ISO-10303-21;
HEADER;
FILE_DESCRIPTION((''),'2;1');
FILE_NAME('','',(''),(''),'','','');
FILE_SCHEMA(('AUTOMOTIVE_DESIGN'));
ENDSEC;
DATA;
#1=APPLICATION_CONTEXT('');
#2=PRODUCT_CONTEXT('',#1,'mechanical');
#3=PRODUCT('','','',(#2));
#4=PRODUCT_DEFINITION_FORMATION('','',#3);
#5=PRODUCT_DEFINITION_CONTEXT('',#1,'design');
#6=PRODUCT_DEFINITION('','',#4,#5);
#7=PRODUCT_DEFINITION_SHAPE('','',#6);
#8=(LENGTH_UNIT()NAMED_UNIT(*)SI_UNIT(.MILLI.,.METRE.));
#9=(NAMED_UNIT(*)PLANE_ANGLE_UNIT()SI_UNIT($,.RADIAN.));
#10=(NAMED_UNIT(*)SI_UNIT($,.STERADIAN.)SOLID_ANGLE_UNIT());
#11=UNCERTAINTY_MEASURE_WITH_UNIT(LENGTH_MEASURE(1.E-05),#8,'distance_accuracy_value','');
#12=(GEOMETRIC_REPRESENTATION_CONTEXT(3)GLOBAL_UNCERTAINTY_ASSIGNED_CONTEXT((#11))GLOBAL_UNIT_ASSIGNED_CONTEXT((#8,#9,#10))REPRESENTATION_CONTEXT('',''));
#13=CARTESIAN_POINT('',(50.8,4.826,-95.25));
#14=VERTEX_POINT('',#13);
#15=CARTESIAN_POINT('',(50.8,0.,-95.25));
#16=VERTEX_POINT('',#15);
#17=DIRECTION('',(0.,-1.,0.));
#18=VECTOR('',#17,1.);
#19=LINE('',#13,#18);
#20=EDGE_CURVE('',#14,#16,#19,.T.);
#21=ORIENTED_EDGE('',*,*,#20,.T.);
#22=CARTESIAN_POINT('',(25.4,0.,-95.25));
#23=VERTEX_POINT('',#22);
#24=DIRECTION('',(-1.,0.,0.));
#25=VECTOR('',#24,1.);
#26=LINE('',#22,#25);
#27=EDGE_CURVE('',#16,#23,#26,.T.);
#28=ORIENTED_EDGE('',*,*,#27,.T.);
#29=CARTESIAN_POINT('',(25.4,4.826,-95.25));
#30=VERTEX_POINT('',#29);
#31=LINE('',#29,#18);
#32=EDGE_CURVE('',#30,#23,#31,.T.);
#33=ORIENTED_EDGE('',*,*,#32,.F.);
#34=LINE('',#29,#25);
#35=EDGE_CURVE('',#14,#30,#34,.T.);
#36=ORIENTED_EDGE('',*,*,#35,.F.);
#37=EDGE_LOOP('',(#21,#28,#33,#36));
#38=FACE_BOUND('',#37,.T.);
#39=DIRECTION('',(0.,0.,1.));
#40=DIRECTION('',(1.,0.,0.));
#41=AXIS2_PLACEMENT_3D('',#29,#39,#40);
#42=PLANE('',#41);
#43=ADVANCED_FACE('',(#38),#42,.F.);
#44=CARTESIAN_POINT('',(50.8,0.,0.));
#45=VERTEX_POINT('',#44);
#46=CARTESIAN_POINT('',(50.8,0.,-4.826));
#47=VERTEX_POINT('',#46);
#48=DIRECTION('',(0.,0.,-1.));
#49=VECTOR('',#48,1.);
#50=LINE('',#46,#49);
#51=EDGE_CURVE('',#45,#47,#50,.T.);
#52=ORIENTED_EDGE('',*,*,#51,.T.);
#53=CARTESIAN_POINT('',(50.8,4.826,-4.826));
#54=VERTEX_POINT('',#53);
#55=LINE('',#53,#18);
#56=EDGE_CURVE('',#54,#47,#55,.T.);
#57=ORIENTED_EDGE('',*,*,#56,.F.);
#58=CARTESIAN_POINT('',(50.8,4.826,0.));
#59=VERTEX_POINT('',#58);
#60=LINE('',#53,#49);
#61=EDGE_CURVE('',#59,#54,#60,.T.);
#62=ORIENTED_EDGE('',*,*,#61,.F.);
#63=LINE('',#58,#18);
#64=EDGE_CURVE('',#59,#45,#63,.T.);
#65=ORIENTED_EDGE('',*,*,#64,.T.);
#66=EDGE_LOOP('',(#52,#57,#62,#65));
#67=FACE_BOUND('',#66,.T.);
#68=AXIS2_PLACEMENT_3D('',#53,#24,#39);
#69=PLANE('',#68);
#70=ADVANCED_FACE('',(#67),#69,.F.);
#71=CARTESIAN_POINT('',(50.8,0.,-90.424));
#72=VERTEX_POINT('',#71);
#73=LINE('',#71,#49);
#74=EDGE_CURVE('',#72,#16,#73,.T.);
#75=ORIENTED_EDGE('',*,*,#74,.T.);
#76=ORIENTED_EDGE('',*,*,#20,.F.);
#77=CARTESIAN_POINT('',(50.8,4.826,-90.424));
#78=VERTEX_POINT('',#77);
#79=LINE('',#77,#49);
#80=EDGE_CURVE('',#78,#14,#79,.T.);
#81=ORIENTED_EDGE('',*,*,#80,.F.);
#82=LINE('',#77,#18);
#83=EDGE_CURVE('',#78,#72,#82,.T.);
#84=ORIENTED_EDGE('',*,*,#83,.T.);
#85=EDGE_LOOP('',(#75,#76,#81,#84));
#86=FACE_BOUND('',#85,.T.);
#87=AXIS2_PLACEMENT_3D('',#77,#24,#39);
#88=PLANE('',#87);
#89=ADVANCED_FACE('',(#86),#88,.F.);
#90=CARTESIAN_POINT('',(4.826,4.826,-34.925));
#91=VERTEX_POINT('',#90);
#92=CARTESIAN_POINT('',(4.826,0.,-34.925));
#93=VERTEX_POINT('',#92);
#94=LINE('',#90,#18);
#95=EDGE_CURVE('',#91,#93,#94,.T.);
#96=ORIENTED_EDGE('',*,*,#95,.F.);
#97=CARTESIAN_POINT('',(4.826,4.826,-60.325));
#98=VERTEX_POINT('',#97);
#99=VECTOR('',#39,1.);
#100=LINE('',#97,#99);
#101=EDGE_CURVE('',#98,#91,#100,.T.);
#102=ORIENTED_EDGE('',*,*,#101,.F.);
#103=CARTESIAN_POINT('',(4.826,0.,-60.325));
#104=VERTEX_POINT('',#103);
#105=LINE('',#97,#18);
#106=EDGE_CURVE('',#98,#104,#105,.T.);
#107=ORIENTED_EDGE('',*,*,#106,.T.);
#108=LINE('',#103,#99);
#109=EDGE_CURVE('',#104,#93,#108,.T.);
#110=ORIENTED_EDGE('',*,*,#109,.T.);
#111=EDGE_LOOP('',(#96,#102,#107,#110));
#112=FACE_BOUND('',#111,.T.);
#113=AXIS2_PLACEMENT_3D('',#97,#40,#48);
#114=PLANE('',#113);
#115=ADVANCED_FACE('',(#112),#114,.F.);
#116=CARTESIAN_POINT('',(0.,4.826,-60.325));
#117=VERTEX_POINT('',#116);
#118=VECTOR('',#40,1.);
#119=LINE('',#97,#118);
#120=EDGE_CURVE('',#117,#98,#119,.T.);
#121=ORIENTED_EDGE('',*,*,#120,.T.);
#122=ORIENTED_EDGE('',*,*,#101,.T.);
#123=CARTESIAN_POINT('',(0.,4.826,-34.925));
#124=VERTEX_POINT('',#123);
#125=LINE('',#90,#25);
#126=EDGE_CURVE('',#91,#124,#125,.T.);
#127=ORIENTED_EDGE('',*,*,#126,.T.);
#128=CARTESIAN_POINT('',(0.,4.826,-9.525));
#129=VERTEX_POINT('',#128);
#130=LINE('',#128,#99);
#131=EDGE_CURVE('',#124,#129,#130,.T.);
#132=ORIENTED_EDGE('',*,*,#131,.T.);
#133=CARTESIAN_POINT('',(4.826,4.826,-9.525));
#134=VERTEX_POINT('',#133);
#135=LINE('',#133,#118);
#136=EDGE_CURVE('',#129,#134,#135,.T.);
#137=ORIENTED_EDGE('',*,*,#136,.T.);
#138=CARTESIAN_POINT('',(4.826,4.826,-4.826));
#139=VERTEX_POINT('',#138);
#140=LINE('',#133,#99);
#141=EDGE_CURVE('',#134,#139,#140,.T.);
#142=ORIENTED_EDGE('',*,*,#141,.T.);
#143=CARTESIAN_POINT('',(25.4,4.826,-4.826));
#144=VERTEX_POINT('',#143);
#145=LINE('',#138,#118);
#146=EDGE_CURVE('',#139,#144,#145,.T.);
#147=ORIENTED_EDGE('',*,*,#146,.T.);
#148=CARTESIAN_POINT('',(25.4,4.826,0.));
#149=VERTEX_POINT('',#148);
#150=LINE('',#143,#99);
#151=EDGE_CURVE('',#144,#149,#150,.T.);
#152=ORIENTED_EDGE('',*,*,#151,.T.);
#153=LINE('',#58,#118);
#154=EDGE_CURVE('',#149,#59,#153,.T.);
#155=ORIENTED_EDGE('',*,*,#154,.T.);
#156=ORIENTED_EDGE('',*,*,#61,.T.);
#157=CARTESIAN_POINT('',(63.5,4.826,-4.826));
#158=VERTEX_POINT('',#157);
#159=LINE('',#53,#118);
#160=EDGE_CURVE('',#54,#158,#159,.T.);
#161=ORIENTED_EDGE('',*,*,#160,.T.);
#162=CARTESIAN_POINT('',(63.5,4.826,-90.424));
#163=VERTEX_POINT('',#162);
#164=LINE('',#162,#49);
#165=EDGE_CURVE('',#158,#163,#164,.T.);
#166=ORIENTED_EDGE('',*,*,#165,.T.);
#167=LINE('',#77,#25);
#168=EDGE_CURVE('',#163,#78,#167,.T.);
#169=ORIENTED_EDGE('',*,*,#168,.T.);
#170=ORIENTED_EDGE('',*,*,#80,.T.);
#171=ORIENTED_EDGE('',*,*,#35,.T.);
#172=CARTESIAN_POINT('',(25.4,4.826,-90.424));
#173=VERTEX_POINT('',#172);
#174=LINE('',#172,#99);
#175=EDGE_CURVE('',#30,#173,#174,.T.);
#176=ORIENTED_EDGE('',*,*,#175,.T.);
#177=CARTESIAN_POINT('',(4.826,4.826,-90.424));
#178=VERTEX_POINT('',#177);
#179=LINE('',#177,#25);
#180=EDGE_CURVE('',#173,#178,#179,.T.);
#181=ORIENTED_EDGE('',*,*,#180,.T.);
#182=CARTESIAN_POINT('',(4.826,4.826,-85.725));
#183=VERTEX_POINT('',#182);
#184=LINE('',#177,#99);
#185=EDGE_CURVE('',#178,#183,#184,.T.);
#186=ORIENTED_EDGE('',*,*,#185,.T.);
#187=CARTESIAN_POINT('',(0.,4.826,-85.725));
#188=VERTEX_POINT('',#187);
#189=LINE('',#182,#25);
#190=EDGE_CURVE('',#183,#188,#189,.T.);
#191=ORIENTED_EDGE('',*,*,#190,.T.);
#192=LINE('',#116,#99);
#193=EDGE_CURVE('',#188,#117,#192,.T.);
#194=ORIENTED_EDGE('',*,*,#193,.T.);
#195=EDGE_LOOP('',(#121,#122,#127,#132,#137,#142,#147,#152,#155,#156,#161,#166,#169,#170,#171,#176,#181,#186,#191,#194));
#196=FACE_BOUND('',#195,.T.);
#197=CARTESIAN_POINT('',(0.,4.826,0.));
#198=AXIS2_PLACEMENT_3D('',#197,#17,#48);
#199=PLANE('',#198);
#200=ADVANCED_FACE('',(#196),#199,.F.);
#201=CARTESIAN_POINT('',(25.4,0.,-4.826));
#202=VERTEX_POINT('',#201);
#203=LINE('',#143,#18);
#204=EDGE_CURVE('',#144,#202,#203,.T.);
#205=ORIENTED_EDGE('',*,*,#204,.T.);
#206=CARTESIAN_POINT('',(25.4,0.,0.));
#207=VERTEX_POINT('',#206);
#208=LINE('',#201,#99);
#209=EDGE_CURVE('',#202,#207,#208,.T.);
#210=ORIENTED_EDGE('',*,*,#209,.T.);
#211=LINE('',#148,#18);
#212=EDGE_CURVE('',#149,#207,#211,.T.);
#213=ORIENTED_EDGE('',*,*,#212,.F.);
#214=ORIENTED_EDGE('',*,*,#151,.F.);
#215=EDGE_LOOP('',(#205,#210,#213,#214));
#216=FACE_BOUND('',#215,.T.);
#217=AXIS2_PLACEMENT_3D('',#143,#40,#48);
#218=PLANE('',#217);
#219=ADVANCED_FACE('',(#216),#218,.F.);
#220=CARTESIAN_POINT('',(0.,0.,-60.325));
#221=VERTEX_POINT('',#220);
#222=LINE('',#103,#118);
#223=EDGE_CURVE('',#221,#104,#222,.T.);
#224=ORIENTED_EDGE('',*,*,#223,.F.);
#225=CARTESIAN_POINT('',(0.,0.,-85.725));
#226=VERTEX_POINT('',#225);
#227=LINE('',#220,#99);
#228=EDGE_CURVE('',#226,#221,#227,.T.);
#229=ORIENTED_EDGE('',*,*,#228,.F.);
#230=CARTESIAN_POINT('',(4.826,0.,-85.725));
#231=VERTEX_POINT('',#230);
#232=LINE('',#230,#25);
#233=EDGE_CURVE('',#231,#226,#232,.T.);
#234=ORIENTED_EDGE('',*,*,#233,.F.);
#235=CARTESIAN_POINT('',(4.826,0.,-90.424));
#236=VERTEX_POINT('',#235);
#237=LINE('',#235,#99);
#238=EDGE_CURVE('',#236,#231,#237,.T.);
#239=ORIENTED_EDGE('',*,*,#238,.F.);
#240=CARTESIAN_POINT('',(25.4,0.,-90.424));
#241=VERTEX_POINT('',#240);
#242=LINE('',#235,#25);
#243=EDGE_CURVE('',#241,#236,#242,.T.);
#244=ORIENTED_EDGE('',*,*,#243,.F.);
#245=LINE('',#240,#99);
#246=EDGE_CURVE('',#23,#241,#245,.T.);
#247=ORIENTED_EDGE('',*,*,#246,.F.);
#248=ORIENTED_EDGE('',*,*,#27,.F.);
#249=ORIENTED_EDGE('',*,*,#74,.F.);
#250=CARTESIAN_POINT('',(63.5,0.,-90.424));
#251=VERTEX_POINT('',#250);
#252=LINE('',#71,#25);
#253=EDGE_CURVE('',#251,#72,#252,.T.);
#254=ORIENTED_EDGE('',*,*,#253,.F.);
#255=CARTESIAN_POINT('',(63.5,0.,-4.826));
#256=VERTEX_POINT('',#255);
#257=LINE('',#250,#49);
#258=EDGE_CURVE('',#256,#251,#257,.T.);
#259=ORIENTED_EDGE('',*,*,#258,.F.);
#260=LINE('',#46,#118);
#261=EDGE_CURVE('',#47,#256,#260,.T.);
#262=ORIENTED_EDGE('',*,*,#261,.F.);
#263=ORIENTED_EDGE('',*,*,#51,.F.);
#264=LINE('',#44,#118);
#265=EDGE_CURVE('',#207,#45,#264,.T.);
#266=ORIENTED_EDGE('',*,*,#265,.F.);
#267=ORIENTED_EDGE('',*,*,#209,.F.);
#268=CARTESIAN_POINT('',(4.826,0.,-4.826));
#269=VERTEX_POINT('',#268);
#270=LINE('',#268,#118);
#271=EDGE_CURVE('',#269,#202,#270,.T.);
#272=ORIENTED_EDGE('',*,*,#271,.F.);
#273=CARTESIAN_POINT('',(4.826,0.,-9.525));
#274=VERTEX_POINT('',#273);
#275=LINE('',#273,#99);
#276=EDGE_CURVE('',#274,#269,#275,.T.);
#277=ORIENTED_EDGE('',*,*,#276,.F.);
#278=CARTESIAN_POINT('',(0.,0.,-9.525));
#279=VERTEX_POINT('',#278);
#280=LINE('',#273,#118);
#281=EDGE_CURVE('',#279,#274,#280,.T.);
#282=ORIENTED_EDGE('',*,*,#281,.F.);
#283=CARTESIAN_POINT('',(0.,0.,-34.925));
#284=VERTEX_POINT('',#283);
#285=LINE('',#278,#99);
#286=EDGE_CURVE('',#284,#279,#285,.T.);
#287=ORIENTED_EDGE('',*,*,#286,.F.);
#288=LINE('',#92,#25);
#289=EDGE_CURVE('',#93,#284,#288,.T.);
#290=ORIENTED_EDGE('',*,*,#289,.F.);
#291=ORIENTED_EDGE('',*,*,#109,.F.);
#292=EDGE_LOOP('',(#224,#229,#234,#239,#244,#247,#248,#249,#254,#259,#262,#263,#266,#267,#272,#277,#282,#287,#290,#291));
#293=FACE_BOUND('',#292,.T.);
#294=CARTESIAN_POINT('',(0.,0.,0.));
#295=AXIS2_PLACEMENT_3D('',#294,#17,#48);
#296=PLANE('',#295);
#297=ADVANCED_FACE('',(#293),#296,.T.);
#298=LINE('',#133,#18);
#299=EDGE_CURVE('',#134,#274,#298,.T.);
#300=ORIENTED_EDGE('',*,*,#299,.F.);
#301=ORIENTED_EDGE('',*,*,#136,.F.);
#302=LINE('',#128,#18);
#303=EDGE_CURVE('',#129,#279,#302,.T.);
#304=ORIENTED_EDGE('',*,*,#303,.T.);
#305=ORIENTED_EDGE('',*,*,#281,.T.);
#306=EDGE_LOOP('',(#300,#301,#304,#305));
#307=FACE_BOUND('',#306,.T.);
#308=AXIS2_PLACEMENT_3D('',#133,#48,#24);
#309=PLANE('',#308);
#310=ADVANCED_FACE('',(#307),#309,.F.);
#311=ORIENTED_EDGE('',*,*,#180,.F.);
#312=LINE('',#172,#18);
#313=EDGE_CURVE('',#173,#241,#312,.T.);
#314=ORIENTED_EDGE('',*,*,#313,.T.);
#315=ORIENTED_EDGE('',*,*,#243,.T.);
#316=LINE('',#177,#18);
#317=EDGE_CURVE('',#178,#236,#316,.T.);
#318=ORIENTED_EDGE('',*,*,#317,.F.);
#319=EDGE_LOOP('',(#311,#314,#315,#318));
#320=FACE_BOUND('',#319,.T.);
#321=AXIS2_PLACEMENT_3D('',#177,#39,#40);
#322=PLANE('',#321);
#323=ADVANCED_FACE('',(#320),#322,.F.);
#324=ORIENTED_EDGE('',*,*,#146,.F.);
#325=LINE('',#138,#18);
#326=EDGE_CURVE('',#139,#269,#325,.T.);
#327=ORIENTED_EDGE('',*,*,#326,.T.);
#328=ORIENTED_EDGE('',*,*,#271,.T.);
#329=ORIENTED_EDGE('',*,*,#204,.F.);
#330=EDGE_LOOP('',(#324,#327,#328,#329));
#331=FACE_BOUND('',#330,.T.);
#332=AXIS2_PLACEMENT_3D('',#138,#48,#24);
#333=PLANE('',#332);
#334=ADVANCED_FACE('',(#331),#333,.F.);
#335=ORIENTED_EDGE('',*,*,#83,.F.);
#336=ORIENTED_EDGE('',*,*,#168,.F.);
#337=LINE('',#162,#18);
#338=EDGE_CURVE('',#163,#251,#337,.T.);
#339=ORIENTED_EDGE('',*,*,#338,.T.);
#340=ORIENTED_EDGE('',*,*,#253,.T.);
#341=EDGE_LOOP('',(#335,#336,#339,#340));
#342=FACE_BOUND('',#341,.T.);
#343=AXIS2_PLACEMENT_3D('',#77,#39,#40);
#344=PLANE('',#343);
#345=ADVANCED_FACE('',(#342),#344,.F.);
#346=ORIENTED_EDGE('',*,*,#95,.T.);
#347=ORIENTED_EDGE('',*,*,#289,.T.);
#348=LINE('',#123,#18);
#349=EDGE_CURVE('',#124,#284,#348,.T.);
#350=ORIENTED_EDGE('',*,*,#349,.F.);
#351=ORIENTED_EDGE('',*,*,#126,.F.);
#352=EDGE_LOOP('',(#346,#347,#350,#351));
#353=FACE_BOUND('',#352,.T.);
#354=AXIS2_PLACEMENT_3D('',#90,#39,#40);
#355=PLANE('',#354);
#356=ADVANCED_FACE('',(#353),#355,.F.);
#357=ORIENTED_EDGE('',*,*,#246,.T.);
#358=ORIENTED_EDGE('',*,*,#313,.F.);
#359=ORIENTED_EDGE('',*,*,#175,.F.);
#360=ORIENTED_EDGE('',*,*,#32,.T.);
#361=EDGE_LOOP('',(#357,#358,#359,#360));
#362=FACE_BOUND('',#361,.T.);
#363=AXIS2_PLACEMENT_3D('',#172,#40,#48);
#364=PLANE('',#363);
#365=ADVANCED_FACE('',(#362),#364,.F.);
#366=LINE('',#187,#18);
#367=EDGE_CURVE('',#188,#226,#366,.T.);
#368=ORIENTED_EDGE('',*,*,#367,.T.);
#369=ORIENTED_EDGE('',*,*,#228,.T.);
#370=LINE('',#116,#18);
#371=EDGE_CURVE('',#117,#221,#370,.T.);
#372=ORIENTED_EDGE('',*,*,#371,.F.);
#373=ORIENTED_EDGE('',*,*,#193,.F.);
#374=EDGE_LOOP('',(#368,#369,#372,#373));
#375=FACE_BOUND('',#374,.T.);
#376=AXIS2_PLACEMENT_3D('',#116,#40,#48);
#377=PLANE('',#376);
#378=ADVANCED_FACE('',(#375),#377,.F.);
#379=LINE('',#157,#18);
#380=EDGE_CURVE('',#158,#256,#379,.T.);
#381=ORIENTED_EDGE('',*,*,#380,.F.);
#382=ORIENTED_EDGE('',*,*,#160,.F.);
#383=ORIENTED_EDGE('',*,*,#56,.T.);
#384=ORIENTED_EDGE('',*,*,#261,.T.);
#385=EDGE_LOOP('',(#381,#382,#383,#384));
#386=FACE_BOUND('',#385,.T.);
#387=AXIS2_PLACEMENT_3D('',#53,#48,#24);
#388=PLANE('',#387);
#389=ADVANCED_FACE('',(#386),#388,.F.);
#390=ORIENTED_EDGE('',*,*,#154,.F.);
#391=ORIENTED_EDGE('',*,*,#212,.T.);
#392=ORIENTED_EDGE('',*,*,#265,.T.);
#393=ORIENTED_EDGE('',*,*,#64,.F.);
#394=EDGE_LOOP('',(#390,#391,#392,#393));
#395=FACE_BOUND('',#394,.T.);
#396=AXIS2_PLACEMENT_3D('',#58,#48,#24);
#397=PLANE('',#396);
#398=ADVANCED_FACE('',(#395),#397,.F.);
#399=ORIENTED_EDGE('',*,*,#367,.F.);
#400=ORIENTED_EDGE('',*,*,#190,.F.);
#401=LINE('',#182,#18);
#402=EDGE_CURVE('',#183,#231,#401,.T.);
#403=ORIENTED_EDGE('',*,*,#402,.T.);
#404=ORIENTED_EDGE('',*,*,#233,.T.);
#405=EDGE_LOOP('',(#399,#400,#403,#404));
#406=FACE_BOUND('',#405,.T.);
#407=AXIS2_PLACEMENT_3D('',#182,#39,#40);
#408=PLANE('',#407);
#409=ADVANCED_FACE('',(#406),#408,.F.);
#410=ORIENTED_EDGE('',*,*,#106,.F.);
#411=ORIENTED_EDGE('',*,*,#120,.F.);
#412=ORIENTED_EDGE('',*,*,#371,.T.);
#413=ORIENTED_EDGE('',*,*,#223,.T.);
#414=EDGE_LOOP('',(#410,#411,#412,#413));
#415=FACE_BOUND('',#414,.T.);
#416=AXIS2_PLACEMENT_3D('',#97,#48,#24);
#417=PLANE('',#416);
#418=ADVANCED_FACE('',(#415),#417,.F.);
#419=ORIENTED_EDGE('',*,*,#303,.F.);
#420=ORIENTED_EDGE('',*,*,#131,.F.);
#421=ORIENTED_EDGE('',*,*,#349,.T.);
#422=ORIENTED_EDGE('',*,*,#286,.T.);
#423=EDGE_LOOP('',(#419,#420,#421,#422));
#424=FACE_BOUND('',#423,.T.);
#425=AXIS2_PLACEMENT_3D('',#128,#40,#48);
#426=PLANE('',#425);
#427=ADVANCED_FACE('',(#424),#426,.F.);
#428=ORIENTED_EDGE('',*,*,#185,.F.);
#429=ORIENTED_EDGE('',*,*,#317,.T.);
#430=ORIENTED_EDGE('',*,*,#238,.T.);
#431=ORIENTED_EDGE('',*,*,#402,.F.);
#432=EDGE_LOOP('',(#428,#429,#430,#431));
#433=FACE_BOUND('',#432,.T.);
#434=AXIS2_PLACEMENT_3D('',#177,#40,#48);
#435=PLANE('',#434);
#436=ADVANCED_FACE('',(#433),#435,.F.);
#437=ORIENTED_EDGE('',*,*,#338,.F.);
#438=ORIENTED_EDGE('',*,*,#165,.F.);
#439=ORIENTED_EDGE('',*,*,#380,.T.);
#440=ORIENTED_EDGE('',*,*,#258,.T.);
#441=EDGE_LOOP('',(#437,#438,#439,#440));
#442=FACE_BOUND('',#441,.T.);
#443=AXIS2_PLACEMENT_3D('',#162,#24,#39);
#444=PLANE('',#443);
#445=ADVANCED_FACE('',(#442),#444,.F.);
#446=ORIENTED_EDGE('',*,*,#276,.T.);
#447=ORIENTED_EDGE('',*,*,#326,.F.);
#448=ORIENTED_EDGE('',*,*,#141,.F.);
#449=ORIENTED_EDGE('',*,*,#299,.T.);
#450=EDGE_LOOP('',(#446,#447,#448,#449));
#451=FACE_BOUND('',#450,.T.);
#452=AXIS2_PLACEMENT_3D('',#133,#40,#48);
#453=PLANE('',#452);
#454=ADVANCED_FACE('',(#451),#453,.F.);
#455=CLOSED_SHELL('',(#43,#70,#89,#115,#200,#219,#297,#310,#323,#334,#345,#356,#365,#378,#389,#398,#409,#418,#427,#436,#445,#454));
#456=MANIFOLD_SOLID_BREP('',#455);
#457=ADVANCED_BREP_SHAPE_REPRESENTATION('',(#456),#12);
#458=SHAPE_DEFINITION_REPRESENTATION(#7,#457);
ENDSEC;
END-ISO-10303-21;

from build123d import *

# Parameters (mm, degrees)
BOSS_EXTRUDE1_DEPTH = 4.826


with BuildPart() as part:
    # Sketch1 → Boss-Extrude1 (new body)
    with BuildSketch(Plane(origin=(0, 0, 0), x_dir=(1, 0, 0), z_dir=(0, 1, 0))):
        Polygon((4.826, 60.325), (4.826, 34.925), (0, 34.925), (0, 9.525), (4.826, 9.525), (4.826, 4.826), (25.4, 4.826), (25.4, 0), (50.8, 0), (50.8, 4.826), (63.5, 4.826), (63.5, 90.424), (50.8, 90.424), (50.8, 95.25), (25.4, 95.25), (25.4, 90.424), (4.826, 90.424), (4.826, 85.725), (0, 85.725), (0, 60.325), align=None)
    extrude(amount=BOSS_EXTRUDE1_DEPTH)


solid = part.part
